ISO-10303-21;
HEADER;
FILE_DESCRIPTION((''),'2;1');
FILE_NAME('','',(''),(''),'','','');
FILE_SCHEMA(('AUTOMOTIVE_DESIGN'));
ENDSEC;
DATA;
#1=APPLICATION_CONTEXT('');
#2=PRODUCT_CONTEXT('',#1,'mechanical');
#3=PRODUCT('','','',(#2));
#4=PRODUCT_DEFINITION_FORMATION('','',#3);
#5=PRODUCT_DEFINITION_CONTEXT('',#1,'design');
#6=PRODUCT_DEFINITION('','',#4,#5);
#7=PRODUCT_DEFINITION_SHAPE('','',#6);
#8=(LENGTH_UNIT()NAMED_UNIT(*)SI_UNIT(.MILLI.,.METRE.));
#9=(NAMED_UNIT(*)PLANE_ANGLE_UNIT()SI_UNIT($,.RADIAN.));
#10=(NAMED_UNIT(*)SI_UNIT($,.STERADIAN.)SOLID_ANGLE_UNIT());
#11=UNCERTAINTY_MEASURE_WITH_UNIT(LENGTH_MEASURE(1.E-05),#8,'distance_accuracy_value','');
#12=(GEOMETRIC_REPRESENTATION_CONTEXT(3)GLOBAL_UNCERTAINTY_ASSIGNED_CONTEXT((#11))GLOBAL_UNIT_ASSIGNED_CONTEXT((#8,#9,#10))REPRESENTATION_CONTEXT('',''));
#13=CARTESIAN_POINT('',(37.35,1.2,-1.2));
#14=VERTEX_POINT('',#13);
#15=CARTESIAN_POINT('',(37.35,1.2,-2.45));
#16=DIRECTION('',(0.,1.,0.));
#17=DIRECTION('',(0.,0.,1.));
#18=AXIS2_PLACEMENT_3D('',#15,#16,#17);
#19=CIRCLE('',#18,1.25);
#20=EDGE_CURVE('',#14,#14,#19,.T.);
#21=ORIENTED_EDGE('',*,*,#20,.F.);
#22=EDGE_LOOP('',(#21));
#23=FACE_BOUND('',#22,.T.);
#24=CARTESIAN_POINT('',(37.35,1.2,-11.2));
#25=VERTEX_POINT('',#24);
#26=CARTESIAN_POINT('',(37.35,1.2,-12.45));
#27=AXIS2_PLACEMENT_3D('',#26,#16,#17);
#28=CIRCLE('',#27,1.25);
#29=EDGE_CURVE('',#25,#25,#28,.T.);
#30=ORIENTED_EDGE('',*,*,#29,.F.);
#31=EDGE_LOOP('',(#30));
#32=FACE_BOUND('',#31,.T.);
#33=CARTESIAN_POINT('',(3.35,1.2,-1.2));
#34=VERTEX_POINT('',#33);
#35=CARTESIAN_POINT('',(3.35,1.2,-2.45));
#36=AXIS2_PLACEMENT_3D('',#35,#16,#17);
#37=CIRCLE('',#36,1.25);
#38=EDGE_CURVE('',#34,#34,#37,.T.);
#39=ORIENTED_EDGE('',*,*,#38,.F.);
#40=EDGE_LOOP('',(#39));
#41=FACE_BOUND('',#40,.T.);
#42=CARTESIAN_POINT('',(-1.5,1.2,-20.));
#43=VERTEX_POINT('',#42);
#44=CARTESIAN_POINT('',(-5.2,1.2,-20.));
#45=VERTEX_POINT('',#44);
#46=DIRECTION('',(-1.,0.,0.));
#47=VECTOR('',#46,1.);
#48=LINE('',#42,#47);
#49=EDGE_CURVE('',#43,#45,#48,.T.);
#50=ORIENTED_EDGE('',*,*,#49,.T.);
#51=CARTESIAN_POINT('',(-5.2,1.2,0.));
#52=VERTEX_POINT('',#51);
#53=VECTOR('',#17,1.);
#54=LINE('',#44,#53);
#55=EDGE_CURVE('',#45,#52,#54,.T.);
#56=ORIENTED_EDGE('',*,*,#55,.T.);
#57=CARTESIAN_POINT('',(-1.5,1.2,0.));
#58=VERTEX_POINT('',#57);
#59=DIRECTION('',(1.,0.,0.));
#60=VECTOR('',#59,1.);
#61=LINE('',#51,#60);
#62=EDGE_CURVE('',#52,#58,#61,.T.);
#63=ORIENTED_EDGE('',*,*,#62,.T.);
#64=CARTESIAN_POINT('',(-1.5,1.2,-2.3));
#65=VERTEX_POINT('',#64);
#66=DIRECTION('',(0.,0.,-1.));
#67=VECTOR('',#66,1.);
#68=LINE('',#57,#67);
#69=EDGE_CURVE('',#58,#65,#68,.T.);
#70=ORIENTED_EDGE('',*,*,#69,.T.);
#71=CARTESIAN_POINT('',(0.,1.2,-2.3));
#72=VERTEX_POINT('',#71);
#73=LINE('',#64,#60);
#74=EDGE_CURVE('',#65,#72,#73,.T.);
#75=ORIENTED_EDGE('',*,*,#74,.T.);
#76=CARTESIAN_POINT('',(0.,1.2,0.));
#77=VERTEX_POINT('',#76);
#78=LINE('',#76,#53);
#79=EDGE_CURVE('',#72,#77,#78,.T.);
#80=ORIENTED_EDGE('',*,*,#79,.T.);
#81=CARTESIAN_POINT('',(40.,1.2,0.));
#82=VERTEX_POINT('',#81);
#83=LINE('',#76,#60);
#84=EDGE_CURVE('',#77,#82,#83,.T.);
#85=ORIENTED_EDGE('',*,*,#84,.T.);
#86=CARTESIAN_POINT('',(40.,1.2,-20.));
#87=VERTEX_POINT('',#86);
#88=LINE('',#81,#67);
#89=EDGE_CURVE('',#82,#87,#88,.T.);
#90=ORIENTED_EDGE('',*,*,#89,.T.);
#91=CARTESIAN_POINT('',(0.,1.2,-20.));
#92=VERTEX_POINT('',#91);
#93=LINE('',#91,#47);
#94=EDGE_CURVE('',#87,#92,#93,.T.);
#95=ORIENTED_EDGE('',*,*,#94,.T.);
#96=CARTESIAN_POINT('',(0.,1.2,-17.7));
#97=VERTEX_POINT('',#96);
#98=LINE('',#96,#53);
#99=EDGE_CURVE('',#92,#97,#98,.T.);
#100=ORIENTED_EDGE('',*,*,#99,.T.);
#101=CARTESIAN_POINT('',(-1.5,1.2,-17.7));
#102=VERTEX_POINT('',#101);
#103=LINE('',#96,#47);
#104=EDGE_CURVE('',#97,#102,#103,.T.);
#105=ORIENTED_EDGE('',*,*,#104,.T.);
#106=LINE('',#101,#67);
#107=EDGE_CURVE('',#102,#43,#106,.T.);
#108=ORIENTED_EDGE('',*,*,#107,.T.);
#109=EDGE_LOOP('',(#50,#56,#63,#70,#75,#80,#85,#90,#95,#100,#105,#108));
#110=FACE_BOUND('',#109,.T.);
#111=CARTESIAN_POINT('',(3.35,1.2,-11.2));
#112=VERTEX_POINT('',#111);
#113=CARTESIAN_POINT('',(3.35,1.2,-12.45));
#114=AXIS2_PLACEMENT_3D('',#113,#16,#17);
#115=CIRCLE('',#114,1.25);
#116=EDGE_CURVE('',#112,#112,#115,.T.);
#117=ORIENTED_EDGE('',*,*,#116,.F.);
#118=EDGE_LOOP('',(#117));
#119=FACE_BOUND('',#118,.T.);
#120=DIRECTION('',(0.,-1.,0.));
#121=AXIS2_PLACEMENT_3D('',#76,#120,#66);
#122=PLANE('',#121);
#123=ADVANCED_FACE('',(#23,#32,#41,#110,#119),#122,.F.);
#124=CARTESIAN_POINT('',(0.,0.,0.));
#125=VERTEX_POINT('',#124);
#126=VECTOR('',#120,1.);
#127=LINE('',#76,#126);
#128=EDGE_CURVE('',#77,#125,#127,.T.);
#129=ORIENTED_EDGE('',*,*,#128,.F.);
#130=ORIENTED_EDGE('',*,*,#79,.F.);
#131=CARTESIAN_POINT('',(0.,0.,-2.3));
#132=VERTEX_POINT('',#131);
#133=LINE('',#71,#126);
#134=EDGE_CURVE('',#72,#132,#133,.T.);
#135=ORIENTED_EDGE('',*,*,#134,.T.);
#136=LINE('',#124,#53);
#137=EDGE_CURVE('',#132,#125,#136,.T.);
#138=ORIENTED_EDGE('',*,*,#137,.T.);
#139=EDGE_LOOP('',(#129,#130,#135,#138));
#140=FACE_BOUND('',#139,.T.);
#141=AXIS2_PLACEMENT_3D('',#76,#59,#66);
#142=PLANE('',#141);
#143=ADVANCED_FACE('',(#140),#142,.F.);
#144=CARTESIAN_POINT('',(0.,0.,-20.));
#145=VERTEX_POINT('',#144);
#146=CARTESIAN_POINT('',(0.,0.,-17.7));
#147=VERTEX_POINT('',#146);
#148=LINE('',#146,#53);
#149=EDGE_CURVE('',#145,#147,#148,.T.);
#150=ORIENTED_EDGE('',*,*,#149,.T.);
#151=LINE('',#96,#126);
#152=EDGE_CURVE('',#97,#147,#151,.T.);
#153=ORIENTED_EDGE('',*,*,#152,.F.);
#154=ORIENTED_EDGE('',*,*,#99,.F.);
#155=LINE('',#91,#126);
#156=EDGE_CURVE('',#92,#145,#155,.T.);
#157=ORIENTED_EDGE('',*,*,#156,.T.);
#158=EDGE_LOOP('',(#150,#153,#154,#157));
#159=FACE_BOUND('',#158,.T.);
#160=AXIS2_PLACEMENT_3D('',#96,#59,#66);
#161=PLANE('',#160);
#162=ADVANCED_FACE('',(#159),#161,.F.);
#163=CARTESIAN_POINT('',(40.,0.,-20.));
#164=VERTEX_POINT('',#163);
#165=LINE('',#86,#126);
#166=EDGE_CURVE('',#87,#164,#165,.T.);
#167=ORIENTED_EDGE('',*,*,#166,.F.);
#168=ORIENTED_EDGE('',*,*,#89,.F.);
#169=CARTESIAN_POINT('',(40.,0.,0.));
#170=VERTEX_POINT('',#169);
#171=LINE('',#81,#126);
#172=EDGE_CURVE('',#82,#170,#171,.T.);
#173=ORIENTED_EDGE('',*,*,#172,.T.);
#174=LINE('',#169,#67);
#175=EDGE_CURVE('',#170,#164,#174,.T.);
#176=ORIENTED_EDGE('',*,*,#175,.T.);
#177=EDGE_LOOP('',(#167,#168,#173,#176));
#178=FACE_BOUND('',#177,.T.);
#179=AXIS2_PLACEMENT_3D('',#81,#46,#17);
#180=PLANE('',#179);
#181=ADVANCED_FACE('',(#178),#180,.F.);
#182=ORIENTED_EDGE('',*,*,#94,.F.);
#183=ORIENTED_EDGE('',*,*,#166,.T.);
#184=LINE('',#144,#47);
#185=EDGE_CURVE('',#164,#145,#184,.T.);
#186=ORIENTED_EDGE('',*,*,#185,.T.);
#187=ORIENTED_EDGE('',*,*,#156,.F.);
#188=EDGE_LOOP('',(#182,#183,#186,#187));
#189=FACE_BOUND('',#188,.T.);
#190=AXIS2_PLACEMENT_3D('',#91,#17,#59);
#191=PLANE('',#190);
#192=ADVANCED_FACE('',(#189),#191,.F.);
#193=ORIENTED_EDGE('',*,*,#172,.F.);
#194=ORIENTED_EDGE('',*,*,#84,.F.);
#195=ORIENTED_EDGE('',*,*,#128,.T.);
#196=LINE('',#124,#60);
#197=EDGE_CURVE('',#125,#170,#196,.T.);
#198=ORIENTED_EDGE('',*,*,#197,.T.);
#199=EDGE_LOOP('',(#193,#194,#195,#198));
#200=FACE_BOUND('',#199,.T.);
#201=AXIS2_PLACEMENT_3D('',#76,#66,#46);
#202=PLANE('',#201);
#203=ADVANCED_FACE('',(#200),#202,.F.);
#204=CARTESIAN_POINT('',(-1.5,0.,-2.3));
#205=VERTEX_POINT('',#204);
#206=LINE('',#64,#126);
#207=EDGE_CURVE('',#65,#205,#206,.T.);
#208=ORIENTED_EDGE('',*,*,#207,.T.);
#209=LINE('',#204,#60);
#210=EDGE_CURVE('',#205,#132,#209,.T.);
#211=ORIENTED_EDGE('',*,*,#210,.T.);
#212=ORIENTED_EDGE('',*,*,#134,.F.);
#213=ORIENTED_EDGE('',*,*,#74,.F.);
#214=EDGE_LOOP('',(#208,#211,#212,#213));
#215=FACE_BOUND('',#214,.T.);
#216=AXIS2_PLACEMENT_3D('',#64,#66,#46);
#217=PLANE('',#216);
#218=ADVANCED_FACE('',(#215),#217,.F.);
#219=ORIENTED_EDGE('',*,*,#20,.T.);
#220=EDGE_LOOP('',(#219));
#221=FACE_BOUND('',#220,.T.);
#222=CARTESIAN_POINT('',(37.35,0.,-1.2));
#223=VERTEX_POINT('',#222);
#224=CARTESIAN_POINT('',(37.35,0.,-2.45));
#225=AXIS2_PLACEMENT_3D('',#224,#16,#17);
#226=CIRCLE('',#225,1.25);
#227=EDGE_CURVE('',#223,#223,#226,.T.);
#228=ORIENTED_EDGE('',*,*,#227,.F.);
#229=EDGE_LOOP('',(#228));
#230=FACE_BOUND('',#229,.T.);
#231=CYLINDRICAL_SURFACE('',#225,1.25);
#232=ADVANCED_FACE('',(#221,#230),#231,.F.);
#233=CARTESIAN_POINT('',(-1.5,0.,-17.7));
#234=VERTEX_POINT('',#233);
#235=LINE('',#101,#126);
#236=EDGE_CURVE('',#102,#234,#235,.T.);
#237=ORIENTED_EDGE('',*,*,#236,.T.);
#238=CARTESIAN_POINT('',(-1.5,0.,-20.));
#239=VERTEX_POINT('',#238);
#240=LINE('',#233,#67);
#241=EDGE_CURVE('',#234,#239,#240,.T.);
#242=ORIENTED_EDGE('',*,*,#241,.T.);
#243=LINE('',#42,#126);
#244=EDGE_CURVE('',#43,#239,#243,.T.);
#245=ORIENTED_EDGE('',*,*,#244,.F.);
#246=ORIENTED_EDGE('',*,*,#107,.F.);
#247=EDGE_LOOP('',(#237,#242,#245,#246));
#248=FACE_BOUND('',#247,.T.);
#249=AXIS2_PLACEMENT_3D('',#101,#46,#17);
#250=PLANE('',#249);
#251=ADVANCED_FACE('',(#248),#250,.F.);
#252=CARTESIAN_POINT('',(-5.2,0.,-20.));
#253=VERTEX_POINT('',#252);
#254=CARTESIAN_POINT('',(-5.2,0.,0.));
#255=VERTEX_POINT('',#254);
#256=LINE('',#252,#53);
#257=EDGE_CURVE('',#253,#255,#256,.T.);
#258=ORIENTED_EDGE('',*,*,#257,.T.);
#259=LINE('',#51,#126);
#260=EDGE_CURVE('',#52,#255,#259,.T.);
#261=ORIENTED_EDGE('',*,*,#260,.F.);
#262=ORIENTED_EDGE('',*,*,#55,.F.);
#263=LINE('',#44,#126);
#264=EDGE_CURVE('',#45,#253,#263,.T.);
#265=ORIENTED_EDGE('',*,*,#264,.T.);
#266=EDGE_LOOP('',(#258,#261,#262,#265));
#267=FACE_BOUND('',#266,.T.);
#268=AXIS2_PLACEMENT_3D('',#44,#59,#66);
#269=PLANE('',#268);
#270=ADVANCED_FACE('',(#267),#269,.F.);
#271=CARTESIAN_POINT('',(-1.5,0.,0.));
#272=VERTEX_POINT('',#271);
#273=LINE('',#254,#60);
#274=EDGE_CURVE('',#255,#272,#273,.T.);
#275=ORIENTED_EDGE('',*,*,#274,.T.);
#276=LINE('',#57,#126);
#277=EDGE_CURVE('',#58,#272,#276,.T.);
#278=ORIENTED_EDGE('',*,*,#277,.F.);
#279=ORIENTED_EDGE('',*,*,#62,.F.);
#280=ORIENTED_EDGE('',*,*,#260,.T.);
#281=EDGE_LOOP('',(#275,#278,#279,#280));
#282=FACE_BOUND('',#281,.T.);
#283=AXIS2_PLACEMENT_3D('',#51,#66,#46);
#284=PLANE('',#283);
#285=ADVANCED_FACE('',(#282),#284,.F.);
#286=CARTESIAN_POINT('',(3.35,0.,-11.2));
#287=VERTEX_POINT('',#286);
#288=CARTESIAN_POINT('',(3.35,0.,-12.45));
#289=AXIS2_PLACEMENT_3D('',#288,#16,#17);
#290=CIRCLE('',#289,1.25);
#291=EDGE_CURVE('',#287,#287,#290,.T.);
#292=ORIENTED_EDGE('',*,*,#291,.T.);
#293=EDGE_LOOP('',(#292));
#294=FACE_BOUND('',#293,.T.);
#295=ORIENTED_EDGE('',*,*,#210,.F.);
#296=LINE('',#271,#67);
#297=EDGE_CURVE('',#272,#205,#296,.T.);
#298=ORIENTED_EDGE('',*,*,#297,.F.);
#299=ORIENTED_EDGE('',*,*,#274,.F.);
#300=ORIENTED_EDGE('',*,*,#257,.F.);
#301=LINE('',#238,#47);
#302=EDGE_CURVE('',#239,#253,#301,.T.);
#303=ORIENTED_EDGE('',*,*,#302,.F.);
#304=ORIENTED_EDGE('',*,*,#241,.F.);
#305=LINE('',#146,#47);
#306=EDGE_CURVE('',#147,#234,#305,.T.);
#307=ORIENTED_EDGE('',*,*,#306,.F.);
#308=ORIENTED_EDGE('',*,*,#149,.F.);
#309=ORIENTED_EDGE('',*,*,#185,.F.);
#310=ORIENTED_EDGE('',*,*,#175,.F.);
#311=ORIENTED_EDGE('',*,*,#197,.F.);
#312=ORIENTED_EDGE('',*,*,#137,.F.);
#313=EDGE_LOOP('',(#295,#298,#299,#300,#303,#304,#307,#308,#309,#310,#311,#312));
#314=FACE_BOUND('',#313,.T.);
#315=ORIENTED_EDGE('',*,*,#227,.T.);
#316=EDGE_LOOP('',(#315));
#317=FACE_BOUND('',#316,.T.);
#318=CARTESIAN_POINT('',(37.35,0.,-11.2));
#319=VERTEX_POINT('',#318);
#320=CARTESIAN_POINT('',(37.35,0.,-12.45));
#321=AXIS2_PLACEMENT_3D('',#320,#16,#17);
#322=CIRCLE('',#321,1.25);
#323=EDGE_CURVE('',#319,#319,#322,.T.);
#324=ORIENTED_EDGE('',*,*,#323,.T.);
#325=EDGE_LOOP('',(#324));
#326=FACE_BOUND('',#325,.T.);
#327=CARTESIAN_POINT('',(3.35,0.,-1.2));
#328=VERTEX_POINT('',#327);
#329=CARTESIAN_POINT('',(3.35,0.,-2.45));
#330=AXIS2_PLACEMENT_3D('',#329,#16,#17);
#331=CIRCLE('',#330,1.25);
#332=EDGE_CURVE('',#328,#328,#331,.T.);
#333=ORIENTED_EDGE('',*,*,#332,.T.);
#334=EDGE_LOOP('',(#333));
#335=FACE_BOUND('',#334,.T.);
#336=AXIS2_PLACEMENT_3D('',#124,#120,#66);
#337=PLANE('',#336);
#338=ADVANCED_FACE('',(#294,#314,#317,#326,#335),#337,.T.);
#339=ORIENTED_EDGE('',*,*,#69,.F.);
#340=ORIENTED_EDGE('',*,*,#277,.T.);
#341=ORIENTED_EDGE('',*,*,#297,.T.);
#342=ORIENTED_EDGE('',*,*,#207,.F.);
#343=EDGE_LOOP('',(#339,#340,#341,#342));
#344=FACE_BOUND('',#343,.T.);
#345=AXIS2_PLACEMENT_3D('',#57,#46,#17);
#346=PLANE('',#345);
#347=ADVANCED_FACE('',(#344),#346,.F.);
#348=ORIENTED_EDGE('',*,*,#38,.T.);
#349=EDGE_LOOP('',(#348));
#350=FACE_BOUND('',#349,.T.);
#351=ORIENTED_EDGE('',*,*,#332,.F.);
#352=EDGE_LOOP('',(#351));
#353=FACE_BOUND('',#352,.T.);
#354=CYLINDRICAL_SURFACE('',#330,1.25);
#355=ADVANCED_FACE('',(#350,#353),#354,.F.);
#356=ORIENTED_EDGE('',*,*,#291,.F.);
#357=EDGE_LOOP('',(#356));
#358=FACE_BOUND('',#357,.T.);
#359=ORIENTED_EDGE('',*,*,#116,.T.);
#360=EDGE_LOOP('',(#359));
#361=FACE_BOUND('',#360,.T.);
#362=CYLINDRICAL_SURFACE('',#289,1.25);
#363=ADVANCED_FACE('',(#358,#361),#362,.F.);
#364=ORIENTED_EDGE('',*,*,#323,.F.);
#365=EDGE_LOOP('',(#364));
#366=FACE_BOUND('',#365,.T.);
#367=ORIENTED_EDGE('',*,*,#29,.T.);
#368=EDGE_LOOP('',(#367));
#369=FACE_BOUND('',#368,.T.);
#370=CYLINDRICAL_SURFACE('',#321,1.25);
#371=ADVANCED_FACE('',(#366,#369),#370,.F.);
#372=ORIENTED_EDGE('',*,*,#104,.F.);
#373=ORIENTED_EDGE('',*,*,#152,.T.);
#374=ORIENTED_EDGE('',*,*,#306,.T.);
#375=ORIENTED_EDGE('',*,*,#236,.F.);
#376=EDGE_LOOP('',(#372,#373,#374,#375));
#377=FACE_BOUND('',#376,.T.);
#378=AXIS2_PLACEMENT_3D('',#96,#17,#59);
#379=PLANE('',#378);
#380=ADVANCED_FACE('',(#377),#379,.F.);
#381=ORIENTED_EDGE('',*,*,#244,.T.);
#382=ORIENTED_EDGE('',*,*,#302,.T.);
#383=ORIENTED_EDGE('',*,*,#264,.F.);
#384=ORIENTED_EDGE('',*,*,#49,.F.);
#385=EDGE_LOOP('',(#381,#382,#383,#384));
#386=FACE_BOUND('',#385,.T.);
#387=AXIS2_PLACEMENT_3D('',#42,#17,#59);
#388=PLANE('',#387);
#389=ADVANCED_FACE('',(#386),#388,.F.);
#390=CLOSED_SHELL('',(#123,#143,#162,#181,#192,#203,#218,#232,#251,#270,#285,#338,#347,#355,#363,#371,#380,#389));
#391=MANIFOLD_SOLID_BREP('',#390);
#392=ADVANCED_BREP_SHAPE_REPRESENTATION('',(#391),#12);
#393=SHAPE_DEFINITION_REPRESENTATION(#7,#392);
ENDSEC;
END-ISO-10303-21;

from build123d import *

# Parameters (mm, degrees)
BOSS_EXTRUDE1_DEPTH = 1.2
SKETCH2_R           = 1.25
CUT_EXTRUDE1_DEPTH  = 45.737456343


with BuildPart() as part:
    # Sketch1 → Boss-Extrude1 (new body)
    with BuildSketch(Plane(origin=(0, 0, 0), x_dir=(1, 0, 0), z_dir=(0, 1, 0))):
        Polygon((0, 17.7), (-1.5, 17.7), (-1.5, 20), (-5.2, 20), (-5.2, 0), (-1.5, 0), (-1.5, 2.3), (0, 2.3), (0, 0), (40, 0), (40, 20), (0, 20), align=None)
    extrude(amount=BOSS_EXTRUDE1_DEPTH)

    # Sketch2 → Cut-Extrude1 (cut, through all)
    with BuildSketch(Plane(origin=(0, 1.2, 0), x_dir=(1, 0, 0), z_dir=(0, 1, 0))):
        with Locations(Location((37.35, 2.45, 0), (0, 0, 270))):
            Circle(SKETCH2_R)
        with Locations(Location((37.35, 12.45, 0), (0, 0, 270))):
            Circle(SKETCH2_R)
        with Locations(Location((3.35, 12.45, 0), (0, 0, 270))):
            Circle(SKETCH2_R)
        with Locations(Location((3.35, 2.45, 0), (0, 0, 270))):
            Circle(SKETCH2_R)
    extrude(amount=-CUT_EXTRUDE1_DEPTH, mode=Mode.SUBTRACT)


solid = part.part
